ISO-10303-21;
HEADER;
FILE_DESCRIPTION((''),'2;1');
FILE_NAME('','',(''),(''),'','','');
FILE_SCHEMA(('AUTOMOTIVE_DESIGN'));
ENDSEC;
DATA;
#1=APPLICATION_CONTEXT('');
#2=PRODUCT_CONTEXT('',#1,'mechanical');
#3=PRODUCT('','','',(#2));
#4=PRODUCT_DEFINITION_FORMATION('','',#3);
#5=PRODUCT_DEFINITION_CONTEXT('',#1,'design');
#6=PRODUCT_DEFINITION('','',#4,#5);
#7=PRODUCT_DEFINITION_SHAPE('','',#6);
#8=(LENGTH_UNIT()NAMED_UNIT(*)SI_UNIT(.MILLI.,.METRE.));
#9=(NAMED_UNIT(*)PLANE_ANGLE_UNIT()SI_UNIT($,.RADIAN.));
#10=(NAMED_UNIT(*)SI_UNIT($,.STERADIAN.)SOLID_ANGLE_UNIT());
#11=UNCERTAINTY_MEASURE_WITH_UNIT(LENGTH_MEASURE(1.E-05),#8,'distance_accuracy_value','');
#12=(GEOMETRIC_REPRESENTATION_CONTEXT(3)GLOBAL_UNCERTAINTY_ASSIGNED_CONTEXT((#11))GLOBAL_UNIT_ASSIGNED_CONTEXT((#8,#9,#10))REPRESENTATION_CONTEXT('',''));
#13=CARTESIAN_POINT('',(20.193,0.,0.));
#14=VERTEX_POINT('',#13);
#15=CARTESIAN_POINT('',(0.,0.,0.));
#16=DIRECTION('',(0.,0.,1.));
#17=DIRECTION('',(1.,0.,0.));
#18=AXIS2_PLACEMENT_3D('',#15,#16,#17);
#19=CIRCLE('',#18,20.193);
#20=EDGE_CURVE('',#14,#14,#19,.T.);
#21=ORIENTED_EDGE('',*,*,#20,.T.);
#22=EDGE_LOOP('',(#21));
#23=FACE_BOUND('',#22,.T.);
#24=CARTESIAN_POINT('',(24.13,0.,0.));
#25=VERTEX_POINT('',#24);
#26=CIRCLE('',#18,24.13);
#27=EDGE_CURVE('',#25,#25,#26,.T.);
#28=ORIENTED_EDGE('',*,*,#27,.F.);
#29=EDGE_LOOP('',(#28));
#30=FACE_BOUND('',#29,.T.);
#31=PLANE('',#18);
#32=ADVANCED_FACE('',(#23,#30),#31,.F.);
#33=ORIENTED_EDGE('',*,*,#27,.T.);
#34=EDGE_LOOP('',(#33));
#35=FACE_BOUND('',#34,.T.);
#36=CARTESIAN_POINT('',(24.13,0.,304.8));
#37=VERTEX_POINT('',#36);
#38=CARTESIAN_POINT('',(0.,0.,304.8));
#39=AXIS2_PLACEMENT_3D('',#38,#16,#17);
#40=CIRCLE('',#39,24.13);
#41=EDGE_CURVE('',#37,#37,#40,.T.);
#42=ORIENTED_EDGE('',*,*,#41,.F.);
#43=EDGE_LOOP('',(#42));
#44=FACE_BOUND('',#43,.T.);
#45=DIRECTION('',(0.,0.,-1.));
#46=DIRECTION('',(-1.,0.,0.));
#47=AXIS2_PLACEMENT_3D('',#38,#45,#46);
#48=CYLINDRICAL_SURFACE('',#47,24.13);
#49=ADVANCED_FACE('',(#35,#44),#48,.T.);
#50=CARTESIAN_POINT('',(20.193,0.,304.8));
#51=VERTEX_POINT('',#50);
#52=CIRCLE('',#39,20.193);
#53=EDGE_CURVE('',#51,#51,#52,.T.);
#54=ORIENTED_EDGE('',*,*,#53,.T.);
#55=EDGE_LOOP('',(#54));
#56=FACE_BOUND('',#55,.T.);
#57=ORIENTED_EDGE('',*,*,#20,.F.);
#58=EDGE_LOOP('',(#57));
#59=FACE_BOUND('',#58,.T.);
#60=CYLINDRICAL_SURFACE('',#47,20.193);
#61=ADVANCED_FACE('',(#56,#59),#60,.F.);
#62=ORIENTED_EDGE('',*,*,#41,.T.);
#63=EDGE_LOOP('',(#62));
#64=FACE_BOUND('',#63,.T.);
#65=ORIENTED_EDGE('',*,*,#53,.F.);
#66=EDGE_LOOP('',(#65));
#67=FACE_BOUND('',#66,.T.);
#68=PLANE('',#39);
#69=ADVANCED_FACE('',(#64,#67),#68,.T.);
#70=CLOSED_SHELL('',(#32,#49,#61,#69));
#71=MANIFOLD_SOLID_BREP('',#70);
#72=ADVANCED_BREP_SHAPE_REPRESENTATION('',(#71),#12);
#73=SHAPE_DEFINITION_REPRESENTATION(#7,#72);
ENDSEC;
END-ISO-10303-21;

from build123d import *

# Parameters (mm, degrees)
SKETCH1_R           = 24.13
SKETCH1_R_2         = 20.193
BOSS_EXTRUDE1_DEPTH = 304.8


with BuildPart() as part:
    # Sketch1 → Boss-Extrude1 (new body)
    with BuildSketch(Plane.XY):
        Circle(SKETCH1_R)
        Circle(SKETCH1_R_2, mode=Mode.SUBTRACT)
    extrude(amount=BOSS_EXTRUDE1_DEPTH)


solid = part.part
